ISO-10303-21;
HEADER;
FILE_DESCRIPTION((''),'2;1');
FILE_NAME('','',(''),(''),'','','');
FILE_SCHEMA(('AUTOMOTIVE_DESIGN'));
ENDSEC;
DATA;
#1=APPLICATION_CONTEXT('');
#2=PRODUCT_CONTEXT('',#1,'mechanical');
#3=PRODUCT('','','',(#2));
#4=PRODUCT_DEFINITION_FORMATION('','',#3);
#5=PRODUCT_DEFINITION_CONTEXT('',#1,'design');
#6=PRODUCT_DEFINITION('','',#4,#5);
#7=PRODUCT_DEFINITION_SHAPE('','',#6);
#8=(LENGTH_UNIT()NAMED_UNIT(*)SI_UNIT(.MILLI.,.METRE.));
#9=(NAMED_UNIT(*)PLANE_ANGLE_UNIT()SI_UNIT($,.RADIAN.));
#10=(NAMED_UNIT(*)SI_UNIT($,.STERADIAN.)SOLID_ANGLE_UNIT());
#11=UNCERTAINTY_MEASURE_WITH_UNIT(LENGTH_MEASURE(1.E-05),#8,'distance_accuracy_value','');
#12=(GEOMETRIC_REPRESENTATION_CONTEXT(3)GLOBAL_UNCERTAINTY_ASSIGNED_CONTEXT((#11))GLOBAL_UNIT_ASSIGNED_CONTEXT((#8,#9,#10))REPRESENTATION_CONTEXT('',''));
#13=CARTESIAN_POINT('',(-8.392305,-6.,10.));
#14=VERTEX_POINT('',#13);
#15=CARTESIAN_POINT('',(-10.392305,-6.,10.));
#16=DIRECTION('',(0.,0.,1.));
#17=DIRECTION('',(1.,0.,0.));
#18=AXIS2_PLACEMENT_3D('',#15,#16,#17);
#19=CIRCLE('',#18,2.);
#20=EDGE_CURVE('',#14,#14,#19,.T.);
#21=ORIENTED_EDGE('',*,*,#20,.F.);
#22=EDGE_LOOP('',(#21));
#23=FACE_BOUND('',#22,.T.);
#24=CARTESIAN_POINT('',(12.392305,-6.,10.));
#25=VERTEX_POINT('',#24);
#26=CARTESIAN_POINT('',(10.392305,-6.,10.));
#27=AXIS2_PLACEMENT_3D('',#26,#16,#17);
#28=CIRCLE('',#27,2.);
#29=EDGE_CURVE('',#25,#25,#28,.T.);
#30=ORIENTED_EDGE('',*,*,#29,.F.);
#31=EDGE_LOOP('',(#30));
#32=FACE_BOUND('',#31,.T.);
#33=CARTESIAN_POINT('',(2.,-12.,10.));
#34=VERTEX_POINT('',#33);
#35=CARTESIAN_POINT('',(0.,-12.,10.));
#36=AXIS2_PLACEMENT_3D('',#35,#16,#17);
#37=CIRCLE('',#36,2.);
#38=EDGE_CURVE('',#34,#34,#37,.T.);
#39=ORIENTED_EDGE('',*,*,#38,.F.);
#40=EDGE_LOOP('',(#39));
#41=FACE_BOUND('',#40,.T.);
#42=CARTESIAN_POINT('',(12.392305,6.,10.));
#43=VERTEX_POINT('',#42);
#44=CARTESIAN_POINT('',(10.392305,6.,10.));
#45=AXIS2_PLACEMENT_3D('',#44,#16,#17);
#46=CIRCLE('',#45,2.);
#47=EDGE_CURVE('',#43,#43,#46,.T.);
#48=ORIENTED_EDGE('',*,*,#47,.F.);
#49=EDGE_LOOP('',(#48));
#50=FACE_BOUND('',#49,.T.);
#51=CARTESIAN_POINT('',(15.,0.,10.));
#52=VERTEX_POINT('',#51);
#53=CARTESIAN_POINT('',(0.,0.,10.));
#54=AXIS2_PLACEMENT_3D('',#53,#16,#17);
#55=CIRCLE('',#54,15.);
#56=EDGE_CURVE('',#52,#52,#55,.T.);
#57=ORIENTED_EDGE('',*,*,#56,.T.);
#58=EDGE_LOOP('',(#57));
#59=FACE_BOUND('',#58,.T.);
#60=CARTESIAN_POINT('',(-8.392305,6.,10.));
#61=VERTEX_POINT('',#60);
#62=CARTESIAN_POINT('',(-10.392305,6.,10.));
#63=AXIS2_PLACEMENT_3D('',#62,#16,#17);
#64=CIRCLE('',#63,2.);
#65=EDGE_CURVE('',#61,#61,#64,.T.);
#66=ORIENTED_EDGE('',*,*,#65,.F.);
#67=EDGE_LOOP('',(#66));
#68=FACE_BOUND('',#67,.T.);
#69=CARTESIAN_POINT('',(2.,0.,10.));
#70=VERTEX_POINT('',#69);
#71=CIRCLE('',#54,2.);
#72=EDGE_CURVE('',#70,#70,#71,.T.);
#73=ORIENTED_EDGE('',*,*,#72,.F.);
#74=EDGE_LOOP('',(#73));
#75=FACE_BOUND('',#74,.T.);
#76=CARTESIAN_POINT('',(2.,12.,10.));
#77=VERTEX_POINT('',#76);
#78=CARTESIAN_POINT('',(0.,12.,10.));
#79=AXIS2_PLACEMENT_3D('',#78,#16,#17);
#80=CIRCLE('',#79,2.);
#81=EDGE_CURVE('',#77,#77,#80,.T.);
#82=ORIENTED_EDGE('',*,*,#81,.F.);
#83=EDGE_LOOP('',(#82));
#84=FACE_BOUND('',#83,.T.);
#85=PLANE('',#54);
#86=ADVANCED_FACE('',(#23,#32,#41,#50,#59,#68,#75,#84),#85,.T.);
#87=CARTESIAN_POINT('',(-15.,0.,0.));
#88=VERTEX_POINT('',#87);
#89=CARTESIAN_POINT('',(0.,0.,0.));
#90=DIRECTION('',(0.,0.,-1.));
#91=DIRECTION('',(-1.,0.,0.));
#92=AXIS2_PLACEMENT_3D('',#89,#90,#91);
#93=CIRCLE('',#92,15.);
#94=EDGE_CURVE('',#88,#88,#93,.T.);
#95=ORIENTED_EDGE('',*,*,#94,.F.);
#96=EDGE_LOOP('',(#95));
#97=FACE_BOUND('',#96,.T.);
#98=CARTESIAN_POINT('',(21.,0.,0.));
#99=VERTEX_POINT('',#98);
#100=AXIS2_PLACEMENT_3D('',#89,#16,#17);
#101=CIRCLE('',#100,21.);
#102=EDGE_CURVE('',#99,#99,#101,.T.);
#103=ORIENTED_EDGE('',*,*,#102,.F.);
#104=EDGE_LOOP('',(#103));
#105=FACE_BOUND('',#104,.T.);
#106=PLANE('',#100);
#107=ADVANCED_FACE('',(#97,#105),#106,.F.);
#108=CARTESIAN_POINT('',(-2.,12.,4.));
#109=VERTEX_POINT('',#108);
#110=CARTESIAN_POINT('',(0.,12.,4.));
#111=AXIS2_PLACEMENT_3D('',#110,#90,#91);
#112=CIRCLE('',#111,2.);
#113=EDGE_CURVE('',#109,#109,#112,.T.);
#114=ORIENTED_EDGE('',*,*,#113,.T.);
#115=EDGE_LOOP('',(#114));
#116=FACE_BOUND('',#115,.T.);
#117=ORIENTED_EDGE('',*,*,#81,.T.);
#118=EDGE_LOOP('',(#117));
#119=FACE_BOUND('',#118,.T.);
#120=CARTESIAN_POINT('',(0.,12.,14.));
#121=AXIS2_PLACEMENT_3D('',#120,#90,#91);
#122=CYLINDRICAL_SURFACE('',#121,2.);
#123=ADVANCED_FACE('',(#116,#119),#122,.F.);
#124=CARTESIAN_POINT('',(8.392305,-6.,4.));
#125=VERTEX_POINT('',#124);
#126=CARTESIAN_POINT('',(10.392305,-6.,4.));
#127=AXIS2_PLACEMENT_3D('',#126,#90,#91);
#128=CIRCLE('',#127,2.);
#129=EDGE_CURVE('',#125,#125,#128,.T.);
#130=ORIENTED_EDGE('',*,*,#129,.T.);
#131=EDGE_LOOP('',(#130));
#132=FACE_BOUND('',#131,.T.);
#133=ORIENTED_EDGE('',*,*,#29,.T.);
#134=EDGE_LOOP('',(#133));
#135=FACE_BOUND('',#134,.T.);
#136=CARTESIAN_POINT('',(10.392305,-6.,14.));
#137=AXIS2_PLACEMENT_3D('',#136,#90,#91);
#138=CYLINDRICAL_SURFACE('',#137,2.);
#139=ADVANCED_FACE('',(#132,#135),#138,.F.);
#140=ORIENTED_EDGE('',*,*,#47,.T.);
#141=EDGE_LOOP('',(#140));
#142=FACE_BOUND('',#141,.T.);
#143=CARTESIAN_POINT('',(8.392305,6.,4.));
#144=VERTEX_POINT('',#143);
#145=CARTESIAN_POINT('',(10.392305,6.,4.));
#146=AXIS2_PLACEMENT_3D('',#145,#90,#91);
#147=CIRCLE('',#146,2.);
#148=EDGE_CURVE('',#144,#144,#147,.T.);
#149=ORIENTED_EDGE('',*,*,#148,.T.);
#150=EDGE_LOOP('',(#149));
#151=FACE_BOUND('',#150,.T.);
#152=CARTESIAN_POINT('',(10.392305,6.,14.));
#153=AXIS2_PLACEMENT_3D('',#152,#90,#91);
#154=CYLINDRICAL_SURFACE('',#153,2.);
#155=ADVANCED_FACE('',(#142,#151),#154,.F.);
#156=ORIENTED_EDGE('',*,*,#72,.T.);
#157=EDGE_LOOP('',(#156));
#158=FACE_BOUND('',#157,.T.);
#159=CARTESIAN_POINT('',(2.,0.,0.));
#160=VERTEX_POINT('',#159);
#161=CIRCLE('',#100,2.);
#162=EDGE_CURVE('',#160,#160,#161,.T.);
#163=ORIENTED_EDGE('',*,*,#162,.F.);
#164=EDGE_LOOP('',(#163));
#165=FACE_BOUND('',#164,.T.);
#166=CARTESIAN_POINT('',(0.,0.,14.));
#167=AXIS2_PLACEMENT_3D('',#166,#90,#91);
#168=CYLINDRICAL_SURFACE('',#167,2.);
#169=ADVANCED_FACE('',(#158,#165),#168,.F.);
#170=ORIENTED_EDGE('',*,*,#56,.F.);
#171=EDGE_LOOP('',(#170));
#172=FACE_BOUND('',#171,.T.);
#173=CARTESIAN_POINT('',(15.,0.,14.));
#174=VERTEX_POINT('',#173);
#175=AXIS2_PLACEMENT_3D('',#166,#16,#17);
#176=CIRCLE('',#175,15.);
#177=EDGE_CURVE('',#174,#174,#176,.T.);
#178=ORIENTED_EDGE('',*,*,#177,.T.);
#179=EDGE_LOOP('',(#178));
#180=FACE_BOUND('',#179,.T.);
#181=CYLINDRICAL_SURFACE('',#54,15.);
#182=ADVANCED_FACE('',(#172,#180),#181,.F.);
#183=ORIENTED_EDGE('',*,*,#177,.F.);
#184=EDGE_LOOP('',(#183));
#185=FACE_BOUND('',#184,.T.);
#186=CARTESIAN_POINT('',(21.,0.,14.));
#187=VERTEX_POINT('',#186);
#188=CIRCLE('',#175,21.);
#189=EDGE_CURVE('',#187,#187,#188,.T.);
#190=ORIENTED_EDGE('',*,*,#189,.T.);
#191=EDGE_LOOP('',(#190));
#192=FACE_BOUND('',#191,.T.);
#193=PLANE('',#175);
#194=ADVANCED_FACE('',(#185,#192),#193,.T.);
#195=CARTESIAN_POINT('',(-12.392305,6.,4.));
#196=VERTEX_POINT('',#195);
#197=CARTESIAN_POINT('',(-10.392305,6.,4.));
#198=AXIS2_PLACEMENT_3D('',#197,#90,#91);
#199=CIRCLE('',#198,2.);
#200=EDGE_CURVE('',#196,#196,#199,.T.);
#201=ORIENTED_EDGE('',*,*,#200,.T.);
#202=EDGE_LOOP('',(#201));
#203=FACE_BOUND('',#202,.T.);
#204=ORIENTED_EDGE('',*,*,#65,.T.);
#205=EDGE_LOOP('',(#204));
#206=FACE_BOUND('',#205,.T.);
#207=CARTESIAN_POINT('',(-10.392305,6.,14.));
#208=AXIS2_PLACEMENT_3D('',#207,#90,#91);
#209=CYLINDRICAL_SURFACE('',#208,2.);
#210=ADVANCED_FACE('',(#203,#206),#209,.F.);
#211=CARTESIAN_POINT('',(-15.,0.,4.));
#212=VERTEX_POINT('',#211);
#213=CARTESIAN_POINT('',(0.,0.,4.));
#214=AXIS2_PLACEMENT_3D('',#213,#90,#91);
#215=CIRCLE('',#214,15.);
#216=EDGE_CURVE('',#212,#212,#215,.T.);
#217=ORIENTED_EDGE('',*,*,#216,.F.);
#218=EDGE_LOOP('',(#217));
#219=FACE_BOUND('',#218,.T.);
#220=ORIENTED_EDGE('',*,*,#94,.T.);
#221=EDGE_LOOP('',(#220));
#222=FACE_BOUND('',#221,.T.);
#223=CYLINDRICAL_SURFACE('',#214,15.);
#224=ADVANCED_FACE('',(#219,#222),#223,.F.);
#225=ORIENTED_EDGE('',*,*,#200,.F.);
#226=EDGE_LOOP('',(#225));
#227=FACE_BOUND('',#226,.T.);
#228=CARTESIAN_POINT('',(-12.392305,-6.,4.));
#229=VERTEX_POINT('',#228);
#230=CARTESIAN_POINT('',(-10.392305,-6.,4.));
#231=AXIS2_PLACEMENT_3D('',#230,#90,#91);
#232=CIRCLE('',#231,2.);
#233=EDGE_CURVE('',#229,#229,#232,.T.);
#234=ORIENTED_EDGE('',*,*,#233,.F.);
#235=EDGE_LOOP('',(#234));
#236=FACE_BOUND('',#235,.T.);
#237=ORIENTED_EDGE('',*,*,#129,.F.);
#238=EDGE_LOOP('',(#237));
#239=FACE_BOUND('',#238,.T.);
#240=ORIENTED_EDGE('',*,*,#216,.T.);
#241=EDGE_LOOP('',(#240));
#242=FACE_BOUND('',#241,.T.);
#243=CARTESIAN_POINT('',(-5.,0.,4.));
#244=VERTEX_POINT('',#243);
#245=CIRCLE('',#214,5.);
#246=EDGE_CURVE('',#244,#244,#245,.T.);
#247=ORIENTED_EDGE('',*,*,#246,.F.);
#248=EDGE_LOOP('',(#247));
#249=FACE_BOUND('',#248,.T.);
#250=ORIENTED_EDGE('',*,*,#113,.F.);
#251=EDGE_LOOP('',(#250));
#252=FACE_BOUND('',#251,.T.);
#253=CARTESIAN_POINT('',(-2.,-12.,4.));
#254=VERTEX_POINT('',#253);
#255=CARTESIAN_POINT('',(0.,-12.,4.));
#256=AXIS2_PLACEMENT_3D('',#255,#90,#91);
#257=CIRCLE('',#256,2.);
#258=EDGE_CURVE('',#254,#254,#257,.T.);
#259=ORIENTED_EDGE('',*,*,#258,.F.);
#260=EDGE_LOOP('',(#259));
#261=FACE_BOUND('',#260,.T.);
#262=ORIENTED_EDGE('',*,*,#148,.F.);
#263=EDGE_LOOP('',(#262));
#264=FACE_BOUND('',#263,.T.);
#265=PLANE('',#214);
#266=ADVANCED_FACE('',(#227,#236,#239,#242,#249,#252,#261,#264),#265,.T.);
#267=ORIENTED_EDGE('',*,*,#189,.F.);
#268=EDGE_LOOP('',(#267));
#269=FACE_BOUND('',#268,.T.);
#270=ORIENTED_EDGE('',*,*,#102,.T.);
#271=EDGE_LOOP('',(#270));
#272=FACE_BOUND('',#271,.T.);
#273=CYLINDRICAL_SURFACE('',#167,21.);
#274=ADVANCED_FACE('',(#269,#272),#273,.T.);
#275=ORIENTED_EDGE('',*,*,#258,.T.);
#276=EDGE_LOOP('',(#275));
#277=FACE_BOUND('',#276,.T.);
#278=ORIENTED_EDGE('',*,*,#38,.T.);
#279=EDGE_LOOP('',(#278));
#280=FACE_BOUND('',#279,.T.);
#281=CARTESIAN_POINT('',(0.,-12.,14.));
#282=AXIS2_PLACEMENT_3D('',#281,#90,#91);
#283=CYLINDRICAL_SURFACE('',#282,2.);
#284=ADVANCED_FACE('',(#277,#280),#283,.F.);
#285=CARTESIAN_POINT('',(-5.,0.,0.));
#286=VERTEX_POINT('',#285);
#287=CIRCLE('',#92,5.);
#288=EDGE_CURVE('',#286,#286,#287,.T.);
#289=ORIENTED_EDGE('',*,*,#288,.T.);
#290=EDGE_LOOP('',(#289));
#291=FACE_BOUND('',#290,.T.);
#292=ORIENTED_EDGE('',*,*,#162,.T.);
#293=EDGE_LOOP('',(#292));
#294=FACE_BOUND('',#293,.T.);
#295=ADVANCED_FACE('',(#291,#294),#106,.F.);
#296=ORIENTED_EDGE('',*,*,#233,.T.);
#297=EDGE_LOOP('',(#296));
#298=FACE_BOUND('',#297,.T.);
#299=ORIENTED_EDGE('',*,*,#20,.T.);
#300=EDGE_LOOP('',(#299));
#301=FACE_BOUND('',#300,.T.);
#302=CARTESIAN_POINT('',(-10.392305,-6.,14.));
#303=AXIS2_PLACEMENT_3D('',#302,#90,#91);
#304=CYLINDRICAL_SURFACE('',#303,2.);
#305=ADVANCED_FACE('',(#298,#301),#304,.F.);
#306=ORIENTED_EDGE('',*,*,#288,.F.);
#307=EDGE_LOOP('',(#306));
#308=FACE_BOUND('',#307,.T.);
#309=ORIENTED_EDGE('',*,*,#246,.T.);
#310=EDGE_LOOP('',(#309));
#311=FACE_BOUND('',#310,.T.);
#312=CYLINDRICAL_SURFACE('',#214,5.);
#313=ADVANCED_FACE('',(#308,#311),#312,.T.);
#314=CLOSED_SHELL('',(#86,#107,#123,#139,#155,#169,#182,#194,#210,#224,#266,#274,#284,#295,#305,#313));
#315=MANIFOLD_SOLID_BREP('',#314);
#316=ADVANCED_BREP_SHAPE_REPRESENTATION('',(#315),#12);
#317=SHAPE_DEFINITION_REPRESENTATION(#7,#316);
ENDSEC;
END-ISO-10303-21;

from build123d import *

# Parameters (mm, degrees)
SKETCH1_R           = 21
SKETCH1_R_2         = 2
BOSS_EXTRUDE1_DEPTH = 14
SKETCH2_R           = 15
CUT_EXTRUDE1_DEPTH  = 4
SKETCH3_R           = 15
SKETCH3_R_2         = 5
CUT_EXTRUDE2_DEPTH  = 4


with BuildPart() as part:
    # Sketch1 → Boss-Extrude1 (new body)
    with BuildSketch(Plane.XY):
        Circle(SKETCH1_R)
        with Locations((0, 12)):
            Circle(SKETCH1_R_2, mode=Mode.SUBTRACT)
        with Locations((10.392304845, 6)):
            Circle(SKETCH1_R_2, mode=Mode.SUBTRACT)
        with Locations((10.392304845, -6)):
            Circle(SKETCH1_R_2, mode=Mode.SUBTRACT)
        with Locations((0, -12)):
            Circle(SKETCH1_R_2, mode=Mode.SUBTRACT)
        with Locations((-10.392304845, -6)):
            Circle(SKETCH1_R_2, mode=Mode.SUBTRACT)
        with Locations((-10.392304845, 6)):
            Circle(SKETCH1_R_2, mode=Mode.SUBTRACT)
        Circle(SKETCH1_R_2, mode=Mode.SUBTRACT)
    extrude(amount=BOSS_EXTRUDE1_DEPTH)

    # Sketch2 → Cut-Extrude1 (cut)
    with BuildSketch(Plane.XY.offset(14)):
        Circle(SKETCH2_R)
    extrude(amount=-CUT_EXTRUDE1_DEPTH, mode=Mode.SUBTRACT)

    # Sketch3 → Cut-Extrude2 (cut)
    with BuildSketch(Plane(origin=(0, 0, 0), x_dir=(-1, 0, 0), z_dir=(0, 0, -1))):
        Circle(SKETCH3_R)
        Circle(SKETCH3_R_2, mode=Mode.SUBTRACT)
    extrude(amount=-CUT_EXTRUDE2_DEPTH, mode=Mode.SUBTRACT)


solid = part.part
